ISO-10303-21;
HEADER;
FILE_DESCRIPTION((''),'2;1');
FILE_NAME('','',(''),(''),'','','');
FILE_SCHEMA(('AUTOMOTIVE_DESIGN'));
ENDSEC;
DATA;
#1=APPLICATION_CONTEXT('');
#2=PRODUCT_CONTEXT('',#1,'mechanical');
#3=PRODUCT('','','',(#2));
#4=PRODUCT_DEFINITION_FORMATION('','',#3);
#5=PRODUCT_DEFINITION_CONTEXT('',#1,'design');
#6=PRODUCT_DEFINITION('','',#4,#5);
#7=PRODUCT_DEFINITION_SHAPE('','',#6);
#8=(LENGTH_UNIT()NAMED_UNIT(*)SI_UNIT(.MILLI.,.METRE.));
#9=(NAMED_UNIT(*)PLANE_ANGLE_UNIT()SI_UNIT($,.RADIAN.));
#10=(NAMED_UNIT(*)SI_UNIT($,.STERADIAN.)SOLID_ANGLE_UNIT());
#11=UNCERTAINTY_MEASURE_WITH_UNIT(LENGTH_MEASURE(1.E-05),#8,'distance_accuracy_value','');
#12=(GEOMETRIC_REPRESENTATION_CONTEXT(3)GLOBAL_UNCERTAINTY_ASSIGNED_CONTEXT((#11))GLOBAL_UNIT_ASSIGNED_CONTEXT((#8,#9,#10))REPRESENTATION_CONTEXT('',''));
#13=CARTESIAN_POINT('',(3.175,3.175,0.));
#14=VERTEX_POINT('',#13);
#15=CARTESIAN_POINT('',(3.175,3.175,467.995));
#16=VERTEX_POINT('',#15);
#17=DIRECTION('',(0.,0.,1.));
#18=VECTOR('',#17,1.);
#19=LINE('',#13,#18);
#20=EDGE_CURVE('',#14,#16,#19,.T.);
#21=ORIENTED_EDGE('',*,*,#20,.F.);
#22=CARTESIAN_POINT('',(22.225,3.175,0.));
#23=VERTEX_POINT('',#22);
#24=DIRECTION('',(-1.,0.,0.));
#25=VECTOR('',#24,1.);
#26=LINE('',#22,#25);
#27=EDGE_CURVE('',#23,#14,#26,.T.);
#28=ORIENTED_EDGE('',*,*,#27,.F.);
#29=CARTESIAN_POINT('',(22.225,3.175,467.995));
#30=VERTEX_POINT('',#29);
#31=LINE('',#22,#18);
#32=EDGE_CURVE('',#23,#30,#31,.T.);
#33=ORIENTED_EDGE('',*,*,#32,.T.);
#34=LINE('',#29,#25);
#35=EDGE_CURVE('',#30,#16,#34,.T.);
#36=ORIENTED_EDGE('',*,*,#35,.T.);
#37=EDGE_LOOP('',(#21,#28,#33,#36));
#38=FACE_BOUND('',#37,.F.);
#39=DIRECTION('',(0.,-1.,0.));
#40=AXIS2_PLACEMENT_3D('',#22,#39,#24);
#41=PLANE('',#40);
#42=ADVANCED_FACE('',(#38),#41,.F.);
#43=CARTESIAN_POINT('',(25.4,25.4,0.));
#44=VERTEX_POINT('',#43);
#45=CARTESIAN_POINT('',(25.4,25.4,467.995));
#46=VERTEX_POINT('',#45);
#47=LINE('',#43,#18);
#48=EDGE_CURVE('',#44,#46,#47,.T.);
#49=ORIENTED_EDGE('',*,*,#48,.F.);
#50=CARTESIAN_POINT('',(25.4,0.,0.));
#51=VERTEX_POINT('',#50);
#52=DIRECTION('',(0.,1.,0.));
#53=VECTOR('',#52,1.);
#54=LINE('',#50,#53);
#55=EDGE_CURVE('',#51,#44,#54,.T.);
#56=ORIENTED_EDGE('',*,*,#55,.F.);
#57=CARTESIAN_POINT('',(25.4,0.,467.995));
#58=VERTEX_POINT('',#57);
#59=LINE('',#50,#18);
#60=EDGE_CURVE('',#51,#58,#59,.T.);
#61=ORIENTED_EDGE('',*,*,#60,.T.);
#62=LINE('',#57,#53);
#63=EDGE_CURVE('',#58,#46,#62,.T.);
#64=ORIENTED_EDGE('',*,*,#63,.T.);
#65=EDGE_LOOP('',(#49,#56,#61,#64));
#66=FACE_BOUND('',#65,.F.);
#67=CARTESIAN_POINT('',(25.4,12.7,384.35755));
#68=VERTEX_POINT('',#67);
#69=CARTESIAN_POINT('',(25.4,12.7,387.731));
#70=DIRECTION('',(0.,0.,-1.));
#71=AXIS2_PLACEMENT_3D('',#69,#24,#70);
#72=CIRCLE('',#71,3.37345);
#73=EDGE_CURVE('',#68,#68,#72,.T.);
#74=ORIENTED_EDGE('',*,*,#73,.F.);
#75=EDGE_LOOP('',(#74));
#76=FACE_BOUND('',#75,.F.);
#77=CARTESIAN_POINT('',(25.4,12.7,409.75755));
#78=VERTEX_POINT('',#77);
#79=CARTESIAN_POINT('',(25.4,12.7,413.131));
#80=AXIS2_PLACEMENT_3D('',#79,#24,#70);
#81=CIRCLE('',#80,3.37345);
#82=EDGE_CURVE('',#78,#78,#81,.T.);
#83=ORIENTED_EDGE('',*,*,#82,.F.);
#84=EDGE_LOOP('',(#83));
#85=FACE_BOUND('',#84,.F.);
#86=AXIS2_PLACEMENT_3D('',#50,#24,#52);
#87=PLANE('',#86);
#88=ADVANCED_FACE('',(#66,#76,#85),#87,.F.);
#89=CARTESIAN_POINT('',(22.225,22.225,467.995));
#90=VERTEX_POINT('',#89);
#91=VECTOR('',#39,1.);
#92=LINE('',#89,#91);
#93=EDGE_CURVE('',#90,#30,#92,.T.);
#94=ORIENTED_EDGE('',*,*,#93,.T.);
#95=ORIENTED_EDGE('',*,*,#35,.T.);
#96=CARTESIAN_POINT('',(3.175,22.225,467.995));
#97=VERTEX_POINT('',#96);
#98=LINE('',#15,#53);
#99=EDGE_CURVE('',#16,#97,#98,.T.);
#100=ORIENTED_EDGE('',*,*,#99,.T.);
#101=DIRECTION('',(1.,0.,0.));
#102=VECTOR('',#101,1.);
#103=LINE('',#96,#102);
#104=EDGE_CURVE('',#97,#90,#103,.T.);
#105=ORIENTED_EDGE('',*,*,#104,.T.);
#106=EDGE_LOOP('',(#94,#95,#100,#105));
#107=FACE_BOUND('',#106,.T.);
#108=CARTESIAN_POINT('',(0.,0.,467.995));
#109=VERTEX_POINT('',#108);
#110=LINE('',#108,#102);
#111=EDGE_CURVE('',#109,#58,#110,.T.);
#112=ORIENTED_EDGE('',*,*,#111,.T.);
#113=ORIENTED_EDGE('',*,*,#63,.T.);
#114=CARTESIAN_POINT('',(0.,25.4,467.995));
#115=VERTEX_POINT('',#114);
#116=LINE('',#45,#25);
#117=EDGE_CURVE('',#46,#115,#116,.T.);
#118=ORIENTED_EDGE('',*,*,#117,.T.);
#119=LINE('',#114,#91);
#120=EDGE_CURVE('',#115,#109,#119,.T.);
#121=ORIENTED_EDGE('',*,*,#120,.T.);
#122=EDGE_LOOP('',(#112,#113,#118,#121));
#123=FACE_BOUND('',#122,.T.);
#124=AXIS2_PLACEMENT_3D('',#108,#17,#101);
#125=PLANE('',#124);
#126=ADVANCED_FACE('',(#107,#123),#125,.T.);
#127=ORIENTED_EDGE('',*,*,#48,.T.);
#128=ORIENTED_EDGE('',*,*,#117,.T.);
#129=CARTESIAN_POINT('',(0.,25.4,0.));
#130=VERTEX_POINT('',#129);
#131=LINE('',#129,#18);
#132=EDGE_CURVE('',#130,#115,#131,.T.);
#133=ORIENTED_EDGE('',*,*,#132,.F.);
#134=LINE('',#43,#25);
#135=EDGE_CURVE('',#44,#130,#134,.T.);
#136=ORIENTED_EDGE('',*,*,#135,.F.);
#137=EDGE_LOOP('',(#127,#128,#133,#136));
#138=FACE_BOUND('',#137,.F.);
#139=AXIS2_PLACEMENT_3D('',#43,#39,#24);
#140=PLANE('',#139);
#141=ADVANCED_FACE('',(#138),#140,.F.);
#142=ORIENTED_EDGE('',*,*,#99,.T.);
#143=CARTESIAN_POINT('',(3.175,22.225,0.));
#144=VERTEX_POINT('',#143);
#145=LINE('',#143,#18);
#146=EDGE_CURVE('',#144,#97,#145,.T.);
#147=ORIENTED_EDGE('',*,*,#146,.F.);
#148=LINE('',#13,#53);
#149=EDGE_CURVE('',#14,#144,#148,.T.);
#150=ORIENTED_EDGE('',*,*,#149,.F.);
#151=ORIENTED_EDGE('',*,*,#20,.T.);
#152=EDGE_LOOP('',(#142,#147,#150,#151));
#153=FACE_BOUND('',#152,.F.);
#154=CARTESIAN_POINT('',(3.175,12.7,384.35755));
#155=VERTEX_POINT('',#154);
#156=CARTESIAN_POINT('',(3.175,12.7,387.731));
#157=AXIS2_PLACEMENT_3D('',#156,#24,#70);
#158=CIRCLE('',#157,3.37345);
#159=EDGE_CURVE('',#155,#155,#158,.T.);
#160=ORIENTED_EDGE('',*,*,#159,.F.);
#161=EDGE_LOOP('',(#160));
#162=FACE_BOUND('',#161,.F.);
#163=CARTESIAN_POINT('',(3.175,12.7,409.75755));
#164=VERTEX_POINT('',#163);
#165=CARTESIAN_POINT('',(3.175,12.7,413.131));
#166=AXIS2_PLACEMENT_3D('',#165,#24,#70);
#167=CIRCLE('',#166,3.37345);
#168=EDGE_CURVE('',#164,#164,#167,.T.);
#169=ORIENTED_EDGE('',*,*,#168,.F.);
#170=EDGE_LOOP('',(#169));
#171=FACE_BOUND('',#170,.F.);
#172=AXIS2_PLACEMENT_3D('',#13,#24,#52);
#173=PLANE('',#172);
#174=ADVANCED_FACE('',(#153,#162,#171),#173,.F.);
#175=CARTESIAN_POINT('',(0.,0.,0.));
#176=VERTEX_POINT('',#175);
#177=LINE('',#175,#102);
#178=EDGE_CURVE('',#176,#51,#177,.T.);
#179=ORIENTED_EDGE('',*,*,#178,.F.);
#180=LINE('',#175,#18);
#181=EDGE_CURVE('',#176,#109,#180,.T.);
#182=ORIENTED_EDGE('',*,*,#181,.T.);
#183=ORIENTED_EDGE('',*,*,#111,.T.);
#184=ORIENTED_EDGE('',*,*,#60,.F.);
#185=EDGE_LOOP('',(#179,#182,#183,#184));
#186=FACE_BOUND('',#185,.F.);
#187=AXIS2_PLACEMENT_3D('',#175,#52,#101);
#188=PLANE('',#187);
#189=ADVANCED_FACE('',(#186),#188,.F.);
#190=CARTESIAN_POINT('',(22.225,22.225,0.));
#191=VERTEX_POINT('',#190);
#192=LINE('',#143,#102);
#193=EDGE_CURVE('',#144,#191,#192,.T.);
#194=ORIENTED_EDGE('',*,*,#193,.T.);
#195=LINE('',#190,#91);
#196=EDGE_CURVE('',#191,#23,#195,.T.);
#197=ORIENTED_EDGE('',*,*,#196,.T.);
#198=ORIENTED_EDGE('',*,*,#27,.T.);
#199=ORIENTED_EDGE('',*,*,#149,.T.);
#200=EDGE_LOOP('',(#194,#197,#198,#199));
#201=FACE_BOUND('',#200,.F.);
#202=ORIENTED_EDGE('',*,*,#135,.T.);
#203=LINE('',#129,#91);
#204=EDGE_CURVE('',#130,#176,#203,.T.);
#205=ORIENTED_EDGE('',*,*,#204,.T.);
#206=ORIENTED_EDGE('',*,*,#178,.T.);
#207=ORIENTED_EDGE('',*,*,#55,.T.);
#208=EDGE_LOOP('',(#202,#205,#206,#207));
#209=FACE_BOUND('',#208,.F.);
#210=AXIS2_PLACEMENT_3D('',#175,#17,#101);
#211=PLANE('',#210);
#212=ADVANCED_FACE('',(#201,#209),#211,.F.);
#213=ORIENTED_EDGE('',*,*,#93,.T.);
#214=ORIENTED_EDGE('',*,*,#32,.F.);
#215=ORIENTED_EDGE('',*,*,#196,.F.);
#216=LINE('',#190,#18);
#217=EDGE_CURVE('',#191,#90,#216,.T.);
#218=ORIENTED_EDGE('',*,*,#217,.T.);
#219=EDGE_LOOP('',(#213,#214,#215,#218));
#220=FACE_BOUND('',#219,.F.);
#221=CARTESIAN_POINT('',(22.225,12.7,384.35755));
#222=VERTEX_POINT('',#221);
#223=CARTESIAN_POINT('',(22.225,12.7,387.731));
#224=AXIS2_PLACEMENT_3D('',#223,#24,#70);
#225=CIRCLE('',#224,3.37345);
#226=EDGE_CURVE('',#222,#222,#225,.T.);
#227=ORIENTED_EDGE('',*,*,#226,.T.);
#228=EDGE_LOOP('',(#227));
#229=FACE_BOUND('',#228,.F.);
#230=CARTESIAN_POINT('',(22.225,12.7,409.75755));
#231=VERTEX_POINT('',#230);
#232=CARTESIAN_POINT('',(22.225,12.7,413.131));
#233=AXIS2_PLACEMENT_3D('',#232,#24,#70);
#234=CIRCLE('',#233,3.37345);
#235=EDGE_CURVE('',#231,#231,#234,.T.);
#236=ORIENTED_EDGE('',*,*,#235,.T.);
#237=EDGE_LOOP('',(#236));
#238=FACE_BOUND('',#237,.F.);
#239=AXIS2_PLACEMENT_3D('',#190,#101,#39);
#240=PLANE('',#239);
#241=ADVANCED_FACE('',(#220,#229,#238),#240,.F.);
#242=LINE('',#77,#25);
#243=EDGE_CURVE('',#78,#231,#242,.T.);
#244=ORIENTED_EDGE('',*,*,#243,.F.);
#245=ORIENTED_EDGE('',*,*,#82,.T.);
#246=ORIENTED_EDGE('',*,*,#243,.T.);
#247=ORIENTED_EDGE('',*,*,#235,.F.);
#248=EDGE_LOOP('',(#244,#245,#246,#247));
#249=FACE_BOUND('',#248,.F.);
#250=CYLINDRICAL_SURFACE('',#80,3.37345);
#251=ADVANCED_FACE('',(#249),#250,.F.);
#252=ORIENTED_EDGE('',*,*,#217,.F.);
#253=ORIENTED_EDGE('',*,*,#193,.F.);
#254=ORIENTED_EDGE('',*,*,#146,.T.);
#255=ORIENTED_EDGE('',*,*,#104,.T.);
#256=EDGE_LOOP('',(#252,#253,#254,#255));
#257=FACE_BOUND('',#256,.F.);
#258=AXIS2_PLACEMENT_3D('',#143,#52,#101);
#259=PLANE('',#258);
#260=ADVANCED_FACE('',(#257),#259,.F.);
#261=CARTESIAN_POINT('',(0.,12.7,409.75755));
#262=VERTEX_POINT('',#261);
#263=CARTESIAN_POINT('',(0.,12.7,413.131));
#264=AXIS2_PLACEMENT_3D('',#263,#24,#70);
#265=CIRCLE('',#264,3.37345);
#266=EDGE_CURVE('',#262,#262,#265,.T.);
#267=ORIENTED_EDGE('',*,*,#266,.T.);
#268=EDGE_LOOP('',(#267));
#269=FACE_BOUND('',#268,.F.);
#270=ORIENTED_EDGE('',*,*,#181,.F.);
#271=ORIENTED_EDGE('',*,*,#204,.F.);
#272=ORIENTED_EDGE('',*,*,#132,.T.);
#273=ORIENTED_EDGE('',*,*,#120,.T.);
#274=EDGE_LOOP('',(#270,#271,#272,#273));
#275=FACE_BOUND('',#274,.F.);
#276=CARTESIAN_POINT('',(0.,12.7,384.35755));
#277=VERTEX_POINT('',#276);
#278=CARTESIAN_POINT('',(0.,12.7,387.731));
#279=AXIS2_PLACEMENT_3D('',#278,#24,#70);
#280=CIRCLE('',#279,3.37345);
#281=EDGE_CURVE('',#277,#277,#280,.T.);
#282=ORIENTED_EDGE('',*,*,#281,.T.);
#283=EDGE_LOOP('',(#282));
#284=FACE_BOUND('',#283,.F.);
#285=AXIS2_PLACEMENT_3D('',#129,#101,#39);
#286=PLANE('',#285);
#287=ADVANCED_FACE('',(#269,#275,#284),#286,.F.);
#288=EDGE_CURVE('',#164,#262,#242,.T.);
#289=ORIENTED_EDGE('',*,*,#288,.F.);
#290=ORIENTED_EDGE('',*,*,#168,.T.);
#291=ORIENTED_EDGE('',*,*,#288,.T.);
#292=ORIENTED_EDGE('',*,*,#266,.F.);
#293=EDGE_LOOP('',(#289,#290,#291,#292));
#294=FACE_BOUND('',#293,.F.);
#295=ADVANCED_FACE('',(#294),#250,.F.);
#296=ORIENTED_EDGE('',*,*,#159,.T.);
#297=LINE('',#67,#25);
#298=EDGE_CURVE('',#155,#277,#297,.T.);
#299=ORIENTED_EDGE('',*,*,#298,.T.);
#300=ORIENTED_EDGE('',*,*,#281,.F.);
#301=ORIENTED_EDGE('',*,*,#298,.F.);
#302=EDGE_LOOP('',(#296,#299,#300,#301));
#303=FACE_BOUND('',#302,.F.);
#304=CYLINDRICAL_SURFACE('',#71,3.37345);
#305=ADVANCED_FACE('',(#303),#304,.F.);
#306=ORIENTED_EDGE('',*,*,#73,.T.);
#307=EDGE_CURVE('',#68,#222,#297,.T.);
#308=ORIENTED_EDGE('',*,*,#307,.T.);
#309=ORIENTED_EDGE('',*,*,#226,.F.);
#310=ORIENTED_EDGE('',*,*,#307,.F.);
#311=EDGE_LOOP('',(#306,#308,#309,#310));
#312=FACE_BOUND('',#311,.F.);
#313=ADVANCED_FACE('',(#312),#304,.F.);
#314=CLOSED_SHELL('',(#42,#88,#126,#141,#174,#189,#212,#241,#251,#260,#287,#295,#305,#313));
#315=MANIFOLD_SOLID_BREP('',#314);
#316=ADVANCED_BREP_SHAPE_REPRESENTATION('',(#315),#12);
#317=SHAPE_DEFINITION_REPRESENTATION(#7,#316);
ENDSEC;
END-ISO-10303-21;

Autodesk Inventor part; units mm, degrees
ref_plane "YZ Plane" through (0, 0, 0) normal (1, 0, 0) x (0, 1, 0)
ref_plane "XZ Plane" through (0, 0, 0) normal (0, 1, 0) x (-1, 0, 0)
ref_plane "XY Plane" through (0, 0, 0) normal (0, 0, 1) x (1, 0, 0)
sketch "Sketch1" plane through (0, 0, 0) normal (0, 0, 1) x (1, 0, 0)
  line L0 (0, 0) -> (25.4, 0)
  line L1 (25.4, 0) -> (25.4, 25.4)
  line L2 (25.4, 25.4) -> (0, 25.4)
  line L3 (0, 25.4) -> (0, 0)
  line L4 (22.225, 22.225) -> (22.225, 3.175)
  line L5 (22.225, 3.175) -> (3.175, 3.175)
  line L6 (3.175, 3.175) -> (3.175, 22.225)
  line L7 (3.175, 22.225) -> (22.225, 22.225)
  dimension "d0" = 25.4
  dimension "d1" = 25.4
  dimension "d2" = 3.175
extrude "Extrusion1" add sketch "Sketch1" along normal blind 467.995
sketch "Sketch2" plane through (25.4, 0, 0) normal (1, 0, 0) x (0, 0, -1)
  line L0 (-467.995, 0) -> (-467.995, 25.4) projected
  line L1 (0, 0) -> (-467.995, 0) projected
  point P0 (-413.131, 12.7)
  point P1 (-387.731, 12.7)
  dimension "d5" = 80.264
  dimension "d6" = 25.4
  dimension "d7" = 12.7
  dimension "d8" = 12.7
hole "Hole1" at (25.4, 12.7, 413.131) at (25.4, 12.7, 387.731) direction (-1, 0, 0) diameter 6.7469 end through all
properties part number "15102898-16-P-0211" material "Aluminum 6061"
